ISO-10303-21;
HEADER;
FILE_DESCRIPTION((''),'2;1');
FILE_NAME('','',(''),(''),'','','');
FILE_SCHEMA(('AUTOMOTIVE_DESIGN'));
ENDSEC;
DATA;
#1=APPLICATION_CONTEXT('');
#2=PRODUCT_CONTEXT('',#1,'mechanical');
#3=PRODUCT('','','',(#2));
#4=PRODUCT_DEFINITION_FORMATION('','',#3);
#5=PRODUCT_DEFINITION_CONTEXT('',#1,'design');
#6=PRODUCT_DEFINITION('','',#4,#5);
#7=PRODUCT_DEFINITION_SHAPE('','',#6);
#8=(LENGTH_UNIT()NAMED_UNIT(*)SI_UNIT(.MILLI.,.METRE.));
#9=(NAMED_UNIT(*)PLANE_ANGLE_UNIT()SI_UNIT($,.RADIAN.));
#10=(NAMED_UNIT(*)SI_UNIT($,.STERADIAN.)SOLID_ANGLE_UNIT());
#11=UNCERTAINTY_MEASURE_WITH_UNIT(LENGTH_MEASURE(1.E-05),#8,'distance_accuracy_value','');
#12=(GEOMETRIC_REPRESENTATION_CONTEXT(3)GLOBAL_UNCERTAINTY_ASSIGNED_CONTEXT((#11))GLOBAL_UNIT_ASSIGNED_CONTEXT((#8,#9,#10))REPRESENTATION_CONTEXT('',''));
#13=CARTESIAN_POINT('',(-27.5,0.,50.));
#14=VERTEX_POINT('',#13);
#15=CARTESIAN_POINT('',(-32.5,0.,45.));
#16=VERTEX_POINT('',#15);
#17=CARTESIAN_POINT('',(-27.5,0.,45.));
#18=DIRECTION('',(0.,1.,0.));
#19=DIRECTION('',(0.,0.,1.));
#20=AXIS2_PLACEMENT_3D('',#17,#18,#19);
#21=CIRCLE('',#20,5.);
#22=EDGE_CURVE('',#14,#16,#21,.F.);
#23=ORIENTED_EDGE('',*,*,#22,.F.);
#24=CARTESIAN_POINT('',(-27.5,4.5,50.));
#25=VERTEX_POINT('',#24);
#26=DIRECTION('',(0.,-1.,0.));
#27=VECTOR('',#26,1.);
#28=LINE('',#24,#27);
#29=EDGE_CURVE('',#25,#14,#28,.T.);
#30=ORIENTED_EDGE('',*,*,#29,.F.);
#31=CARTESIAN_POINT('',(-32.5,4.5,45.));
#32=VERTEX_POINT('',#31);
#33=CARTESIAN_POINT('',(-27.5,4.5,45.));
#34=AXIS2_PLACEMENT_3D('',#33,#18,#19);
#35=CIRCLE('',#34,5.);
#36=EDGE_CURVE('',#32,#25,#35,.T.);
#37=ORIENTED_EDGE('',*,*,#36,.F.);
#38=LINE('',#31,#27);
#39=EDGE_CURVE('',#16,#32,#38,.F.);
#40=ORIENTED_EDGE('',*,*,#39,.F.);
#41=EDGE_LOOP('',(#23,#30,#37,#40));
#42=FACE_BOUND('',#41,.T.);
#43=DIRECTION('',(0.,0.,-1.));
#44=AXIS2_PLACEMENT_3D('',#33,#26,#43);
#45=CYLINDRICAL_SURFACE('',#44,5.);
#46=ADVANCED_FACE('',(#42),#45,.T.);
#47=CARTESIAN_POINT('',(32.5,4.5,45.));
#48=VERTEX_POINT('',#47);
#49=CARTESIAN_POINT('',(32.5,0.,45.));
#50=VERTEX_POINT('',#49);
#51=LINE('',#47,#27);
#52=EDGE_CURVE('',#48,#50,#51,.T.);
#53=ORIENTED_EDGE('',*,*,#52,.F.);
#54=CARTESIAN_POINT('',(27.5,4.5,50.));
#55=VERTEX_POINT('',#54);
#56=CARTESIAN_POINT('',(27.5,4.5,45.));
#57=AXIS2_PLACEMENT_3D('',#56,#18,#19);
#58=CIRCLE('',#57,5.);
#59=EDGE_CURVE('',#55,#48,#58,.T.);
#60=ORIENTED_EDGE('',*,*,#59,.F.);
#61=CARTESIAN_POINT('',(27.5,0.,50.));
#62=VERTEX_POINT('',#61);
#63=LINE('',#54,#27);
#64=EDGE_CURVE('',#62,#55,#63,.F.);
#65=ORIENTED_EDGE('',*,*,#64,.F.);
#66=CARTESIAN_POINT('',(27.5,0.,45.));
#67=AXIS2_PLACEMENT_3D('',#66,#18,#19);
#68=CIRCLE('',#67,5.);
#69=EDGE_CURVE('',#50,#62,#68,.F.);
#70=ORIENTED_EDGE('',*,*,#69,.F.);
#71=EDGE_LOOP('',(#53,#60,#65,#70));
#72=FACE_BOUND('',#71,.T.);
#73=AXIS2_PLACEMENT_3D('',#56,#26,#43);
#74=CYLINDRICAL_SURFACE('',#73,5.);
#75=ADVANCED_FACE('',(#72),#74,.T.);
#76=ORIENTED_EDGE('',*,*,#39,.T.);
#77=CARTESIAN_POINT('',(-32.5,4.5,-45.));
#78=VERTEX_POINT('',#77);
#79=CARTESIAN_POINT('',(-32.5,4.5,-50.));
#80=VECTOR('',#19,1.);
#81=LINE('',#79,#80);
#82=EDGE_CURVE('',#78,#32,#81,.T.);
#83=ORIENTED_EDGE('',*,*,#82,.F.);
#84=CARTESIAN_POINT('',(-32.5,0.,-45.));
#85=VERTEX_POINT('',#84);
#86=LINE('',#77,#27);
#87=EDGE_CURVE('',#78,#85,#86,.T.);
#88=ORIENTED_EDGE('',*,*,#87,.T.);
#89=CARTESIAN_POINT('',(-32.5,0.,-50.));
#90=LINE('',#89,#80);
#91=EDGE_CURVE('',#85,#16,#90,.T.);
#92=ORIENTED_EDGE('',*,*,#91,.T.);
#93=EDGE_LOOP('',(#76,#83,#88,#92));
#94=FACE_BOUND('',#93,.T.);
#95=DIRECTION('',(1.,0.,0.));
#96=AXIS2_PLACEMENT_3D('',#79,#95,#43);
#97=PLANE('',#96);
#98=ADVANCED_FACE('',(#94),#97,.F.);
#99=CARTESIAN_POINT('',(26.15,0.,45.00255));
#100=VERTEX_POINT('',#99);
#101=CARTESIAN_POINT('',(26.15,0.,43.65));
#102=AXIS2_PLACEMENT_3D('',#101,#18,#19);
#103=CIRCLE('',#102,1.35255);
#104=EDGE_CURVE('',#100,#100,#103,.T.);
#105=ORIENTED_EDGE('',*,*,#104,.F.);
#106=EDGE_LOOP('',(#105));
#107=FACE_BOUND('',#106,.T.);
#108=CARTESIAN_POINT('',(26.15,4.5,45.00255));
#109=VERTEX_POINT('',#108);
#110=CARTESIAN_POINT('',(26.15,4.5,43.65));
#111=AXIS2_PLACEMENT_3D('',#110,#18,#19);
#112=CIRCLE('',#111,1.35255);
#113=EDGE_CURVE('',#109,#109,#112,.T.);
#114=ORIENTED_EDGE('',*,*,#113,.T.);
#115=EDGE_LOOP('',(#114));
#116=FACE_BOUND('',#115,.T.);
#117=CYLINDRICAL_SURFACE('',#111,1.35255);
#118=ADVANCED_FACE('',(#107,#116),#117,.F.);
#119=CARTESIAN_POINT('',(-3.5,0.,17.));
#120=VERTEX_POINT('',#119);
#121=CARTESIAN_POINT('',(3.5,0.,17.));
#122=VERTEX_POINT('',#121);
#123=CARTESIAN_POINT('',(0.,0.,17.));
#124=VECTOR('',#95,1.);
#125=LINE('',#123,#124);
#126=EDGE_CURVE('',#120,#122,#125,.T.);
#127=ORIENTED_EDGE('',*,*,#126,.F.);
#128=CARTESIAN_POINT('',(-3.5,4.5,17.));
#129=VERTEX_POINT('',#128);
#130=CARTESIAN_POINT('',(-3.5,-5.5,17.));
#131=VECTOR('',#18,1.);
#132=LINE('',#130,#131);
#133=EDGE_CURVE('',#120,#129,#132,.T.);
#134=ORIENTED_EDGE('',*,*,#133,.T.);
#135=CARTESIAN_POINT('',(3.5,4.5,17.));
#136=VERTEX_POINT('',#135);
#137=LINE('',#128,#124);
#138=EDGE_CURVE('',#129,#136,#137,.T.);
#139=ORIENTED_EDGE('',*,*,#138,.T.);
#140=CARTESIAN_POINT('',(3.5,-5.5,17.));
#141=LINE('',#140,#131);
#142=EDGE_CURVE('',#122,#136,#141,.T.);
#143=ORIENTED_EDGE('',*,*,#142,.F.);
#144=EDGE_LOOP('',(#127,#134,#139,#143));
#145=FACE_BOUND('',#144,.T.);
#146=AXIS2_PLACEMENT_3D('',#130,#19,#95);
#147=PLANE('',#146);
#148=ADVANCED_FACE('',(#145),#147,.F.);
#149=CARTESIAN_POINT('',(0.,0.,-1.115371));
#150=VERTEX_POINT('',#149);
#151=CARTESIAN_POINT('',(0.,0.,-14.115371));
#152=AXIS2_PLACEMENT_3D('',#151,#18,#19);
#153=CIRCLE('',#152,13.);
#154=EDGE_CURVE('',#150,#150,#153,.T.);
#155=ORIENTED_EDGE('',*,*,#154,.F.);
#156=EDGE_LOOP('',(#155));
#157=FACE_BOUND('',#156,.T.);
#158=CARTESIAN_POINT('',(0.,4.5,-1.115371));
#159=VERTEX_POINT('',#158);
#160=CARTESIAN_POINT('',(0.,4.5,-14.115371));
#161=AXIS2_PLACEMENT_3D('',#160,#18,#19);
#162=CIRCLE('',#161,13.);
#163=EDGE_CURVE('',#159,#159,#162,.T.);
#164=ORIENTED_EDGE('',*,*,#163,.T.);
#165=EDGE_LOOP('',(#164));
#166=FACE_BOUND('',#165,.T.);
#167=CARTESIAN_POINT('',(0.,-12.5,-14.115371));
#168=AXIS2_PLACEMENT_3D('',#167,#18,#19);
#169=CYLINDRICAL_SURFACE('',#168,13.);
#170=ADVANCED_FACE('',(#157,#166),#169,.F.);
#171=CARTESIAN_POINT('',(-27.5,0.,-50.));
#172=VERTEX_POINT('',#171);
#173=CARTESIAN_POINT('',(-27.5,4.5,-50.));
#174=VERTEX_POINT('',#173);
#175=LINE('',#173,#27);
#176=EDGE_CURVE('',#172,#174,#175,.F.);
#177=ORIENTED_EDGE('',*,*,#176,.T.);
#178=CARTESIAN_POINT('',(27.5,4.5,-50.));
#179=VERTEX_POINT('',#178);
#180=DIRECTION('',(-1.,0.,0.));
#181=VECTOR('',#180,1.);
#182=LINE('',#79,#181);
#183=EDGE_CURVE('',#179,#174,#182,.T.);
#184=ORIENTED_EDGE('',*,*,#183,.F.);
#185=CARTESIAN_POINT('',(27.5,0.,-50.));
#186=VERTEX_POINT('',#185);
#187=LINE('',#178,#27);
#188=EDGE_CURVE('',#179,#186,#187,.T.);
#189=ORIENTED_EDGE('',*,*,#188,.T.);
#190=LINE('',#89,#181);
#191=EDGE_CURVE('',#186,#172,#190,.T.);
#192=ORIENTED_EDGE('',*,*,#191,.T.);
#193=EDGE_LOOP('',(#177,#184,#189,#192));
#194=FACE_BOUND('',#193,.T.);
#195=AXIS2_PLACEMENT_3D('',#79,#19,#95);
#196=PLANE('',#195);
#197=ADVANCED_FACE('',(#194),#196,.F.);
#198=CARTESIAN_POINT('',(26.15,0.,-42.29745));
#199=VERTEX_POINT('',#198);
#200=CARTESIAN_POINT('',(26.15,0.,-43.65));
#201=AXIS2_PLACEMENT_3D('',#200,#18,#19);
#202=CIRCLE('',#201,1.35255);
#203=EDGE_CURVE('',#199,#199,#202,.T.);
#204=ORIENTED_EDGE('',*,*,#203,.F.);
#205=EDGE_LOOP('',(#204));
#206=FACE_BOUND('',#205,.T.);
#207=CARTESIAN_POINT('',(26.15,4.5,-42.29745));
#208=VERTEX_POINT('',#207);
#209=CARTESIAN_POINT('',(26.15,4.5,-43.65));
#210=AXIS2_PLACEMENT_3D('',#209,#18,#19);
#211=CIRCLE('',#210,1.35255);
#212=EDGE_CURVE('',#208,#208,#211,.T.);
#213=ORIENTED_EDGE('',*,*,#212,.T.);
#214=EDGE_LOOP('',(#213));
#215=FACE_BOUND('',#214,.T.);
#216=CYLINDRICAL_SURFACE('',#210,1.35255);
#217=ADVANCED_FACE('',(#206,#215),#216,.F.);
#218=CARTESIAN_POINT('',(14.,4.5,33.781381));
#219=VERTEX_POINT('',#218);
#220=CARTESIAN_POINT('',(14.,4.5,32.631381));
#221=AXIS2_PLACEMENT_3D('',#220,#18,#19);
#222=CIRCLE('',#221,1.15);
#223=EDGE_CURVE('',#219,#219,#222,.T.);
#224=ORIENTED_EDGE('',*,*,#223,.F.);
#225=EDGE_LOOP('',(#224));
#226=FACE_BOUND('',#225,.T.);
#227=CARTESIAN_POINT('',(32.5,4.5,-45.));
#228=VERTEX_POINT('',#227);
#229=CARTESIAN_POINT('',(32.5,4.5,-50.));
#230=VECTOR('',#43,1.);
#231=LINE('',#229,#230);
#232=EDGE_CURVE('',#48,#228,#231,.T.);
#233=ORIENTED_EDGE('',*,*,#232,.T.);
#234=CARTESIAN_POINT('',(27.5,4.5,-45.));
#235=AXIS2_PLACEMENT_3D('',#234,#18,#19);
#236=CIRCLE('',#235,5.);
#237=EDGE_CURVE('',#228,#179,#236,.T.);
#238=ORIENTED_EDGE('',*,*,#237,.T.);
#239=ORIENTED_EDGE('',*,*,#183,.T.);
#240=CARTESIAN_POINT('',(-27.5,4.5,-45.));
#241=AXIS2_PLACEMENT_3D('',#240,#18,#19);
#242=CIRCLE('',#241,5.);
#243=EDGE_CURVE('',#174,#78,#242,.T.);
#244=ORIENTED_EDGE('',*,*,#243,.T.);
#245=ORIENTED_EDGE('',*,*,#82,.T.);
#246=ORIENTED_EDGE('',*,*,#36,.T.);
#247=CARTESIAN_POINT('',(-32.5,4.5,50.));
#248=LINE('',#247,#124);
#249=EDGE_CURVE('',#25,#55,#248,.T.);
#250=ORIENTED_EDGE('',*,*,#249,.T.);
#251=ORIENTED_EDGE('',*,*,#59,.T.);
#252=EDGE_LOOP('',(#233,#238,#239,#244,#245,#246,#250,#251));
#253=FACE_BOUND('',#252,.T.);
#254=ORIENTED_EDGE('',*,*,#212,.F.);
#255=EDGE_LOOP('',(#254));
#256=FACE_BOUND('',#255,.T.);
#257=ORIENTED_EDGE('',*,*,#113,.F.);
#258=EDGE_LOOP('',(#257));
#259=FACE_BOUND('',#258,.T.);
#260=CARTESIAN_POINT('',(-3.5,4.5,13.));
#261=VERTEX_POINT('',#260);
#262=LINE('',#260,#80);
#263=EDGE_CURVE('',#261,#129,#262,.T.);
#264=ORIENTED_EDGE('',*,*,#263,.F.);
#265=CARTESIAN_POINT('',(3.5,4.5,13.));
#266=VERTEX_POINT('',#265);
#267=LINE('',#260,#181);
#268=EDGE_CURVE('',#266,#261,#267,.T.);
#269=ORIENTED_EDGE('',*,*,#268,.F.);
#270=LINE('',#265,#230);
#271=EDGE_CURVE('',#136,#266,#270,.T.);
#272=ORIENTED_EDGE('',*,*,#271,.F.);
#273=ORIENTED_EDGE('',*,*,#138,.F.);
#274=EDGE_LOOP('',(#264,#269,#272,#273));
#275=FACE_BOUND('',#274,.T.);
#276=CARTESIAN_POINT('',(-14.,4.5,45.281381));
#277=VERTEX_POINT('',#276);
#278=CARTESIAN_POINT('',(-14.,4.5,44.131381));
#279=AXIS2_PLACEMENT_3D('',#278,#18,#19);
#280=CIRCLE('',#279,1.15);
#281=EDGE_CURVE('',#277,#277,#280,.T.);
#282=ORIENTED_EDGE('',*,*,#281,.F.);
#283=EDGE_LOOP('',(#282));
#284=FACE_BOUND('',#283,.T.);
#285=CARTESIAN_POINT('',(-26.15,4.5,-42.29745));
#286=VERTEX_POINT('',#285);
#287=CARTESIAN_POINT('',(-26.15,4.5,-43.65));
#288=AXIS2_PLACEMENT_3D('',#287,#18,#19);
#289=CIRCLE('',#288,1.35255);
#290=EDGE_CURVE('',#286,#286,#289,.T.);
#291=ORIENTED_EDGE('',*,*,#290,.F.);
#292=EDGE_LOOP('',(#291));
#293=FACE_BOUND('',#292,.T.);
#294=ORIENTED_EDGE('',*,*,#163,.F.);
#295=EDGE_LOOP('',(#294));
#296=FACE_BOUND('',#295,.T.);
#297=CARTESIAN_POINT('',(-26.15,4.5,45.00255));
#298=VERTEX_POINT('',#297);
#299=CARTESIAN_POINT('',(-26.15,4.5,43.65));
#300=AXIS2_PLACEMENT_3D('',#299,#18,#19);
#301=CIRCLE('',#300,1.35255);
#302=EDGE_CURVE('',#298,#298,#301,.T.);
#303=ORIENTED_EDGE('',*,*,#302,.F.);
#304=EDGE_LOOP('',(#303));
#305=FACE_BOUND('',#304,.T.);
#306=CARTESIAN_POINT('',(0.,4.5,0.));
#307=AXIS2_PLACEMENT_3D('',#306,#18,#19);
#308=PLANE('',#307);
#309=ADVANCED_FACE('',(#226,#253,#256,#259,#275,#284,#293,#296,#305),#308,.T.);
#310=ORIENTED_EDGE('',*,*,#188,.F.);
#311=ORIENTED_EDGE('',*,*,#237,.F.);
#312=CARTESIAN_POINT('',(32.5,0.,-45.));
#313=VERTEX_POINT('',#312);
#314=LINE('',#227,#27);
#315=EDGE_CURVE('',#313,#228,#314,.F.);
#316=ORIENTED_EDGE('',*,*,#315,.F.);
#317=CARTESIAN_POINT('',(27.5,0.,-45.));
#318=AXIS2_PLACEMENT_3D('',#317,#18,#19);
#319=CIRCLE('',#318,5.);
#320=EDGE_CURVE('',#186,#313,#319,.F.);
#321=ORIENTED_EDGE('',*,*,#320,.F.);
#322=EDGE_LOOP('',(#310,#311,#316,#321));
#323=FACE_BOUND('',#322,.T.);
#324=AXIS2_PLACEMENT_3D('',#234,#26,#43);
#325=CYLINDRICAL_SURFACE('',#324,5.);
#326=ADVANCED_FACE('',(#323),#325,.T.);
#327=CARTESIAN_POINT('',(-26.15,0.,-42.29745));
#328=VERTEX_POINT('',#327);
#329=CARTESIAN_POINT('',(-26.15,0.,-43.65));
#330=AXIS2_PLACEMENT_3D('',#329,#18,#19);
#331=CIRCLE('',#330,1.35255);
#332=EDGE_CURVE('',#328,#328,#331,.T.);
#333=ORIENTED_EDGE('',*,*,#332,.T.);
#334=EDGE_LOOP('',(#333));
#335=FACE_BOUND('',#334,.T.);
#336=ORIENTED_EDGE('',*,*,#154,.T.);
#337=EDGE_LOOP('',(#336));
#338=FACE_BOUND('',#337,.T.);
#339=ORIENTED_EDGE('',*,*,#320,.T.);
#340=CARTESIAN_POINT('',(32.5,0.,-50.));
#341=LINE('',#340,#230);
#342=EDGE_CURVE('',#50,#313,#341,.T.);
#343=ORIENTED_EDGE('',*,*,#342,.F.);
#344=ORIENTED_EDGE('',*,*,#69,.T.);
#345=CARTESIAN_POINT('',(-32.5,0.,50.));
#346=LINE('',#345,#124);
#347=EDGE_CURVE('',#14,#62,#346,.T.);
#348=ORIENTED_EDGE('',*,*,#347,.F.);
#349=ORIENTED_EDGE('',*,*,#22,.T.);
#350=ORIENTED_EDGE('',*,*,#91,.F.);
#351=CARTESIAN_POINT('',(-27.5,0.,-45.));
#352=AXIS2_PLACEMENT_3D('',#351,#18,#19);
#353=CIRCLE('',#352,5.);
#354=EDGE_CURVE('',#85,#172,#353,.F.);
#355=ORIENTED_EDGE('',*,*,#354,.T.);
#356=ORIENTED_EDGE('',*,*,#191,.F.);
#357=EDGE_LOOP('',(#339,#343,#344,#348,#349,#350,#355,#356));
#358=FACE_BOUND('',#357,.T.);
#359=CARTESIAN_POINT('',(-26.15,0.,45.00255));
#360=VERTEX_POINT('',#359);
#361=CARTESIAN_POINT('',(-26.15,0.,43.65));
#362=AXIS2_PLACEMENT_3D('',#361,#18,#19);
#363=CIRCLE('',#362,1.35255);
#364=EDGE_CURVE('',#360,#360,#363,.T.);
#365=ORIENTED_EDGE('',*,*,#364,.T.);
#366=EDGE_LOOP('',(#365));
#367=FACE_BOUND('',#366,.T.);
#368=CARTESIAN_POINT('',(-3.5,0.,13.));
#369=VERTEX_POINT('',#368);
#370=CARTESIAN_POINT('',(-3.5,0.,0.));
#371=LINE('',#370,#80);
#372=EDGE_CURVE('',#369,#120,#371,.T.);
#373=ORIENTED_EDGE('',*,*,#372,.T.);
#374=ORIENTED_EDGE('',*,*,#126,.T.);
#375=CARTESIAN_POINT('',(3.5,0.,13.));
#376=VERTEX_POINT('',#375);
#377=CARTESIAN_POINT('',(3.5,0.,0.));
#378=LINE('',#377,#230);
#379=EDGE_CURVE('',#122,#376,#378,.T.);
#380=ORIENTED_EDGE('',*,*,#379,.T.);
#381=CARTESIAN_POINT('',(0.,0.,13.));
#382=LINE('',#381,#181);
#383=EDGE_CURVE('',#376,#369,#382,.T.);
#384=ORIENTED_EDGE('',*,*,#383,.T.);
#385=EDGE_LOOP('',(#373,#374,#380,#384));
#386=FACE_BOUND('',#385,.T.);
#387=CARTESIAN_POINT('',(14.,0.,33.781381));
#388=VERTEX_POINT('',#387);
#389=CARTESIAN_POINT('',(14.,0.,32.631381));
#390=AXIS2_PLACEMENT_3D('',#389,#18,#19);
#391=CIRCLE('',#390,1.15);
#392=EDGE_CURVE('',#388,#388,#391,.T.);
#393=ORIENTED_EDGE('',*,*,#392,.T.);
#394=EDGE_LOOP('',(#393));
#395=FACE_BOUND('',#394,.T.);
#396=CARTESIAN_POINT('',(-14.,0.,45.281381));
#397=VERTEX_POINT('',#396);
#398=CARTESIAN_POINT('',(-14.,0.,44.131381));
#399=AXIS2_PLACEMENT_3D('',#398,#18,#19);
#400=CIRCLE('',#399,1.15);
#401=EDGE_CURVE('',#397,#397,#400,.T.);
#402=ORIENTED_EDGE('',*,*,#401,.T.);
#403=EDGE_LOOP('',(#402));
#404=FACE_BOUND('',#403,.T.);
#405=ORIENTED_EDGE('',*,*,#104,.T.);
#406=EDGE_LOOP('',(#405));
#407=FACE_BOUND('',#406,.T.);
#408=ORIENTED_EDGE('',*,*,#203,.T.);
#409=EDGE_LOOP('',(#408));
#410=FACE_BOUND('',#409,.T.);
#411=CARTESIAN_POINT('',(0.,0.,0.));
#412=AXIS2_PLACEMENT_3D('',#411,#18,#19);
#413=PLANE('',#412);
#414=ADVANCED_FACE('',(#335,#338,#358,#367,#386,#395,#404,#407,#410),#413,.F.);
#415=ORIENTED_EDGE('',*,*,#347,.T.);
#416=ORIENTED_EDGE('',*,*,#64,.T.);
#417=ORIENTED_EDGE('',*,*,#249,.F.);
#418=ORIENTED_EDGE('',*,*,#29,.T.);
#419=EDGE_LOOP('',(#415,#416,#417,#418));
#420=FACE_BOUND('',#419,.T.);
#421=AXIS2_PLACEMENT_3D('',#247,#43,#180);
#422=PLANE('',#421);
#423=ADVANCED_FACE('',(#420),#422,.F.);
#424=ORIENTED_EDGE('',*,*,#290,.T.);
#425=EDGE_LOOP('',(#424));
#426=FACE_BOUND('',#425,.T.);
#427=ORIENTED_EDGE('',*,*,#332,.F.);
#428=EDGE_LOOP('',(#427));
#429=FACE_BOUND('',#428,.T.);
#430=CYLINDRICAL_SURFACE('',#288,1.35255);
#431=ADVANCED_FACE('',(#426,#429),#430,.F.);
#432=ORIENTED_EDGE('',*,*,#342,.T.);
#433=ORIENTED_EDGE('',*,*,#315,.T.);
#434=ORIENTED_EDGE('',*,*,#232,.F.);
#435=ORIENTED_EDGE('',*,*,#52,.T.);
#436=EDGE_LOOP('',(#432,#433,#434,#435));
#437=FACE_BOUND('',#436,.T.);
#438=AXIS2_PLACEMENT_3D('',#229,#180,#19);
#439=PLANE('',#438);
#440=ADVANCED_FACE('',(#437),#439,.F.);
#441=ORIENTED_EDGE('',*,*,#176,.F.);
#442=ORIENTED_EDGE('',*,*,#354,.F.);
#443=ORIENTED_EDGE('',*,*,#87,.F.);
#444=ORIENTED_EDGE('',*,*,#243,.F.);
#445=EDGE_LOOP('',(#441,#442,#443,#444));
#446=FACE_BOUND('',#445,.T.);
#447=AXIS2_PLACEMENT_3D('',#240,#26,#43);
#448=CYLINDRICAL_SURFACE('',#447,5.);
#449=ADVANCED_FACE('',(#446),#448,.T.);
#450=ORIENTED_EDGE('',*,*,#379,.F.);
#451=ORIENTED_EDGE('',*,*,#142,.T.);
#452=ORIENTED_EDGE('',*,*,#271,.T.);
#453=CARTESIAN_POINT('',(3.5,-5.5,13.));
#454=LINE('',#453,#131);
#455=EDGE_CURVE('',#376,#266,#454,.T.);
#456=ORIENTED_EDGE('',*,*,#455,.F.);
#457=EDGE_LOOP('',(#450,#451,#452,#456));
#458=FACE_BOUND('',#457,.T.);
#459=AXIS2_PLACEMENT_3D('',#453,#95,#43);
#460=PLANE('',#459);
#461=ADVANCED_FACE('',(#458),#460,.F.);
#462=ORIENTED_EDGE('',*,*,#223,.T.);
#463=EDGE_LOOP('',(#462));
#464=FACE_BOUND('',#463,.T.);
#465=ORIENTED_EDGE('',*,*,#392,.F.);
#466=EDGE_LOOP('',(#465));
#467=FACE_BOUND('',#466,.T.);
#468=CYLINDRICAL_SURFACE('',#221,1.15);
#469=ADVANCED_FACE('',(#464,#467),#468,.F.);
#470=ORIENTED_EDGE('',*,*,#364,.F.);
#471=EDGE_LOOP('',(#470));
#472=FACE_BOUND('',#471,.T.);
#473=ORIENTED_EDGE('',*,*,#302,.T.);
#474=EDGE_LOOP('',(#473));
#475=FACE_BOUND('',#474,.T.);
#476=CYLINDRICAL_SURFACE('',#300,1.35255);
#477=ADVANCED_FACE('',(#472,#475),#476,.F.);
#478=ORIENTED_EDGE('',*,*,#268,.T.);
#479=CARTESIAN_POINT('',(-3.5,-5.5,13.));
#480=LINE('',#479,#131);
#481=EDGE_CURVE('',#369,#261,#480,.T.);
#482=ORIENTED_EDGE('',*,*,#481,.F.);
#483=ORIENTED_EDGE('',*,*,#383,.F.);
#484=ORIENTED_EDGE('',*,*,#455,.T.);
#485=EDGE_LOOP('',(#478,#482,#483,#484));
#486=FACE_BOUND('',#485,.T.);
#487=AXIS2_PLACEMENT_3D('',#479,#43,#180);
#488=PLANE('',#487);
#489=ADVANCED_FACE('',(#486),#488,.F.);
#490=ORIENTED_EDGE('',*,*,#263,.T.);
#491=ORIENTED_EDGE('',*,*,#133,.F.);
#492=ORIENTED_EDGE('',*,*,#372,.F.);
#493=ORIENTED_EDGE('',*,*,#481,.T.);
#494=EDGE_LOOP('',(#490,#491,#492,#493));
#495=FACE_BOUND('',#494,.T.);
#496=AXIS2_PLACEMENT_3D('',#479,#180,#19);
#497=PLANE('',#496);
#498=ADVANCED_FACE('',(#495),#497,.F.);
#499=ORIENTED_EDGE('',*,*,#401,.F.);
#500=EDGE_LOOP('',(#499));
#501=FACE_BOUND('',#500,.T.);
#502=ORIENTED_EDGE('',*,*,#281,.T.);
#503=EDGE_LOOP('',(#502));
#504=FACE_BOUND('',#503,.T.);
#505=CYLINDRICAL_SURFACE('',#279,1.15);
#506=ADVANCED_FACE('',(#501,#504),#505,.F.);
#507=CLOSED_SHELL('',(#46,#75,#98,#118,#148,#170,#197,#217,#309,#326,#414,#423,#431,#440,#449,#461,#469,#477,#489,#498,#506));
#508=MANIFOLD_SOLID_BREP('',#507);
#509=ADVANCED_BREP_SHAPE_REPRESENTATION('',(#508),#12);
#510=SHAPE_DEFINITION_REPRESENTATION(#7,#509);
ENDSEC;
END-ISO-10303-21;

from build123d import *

# Parameters (mm, degrees)
SKETCH2_W                          = 65
SKETCH2_H                          = 100
BOSS_EXTRUDE1_DEPTH                = 4.5
F_36_0_1065_DIAMETER_HOLE1_D       = 2.7051
FILLET1_R                          = 5
TAP_DRILL_FOR_M2_2_HELICOIL1_D     = 2.3
TAP_DRILL_FOR_M2_2_HELICOIL1_DEPTH = 4.5
TAP_DRILL_FOR_M2_2_HELICOIL1_TIP   = 0.690989712
SKETCH14_W                         = 7
SKETCH14_H                         = 4
CUT_EXTRUDE1_DEPTH                 = 10
SKETCH16_R                         = 13
CUT_EXTRUDE2_DEPTH                 = 17


with BuildPart() as part:
    # Sketch2 → Boss-Extrude1 (new body)
    with BuildSketch(Plane(origin=(0, 0, 0), x_dir=(1, 0, 0), z_dir=(0, 1, 0))):
        Rectangle(SKETCH2_W, SKETCH2_H)
    extrude(amount=BOSS_EXTRUDE1_DEPTH)

    # #36 (0.1065) Diameter Hole1 (through all)
    with Locations(Plane(origin=(0, 4.5, 0), x_dir=(1, 0, 0), z_dir=(0, 1, 0))):
        with Locations((-26.15, 43.65), (26.15, 43.65), (26.15, -43.65), (-26.15, -43.65)):
            Hole(F_36_0_1065_DIAMETER_HOLE1_D / 2)

    # Fillet1
    fillet1_edges = [part.edges().sort_by_distance(p)[0] for p in [
        (32.5, 2.25, 50),
        (-32.5, 2.25, 50),
        (-32.5, 2.25, -50),
        (32.5, 2.25, -50),
    ]]
    fillet(fillet1_edges, radius=FILLET1_R)

    # Tap Drill for M2.2 Helicoil1
    with Locations(Plane(origin=(0, 4.5, 0), x_dir=(1, 0, 0), z_dir=(0, 1, 0))):
        with Locations((14, -32.631381325), (-14, -44.131381325)):
            Hole(TAP_DRILL_FOR_M2_2_HELICOIL1_D / 2, depth=TAP_DRILL_FOR_M2_2_HELICOIL1_DEPTH)
            with Locations((0, 0, -(TAP_DRILL_FOR_M2_2_HELICOIL1_DEPTH + TAP_DRILL_FOR_M2_2_HELICOIL1_TIP / 2))):  # 118° drill point
                Cone(0, TAP_DRILL_FOR_M2_2_HELICOIL1_D / 2, TAP_DRILL_FOR_M2_2_HELICOIL1_TIP, mode=Mode.SUBTRACT)

    # Sketch14 → Cut-Extrude1 (cut)
    with BuildSketch(Plane(origin=(0, 4.5, 0), x_dir=(1, 0, 0), z_dir=(0, 1, 0))):
        with Locations((0, -15)):
            Rectangle(SKETCH14_W, SKETCH14_H)
    extrude(amount=-CUT_EXTRUDE1_DEPTH, mode=Mode.SUBTRACT)

    # Sketch16 → Cut-Extrude2 (cut)
    with BuildSketch(Plane(origin=(0, 4.5, 0), x_dir=(1, 0, 0), z_dir=(0, 1, 0))):
        with Locations(Location((0, 14.115370647, 0), (0, 0, 270))):
            Circle(SKETCH16_R)
    extrude(amount=-CUT_EXTRUDE2_DEPTH, mode=Mode.SUBTRACT)


solid = part.part
